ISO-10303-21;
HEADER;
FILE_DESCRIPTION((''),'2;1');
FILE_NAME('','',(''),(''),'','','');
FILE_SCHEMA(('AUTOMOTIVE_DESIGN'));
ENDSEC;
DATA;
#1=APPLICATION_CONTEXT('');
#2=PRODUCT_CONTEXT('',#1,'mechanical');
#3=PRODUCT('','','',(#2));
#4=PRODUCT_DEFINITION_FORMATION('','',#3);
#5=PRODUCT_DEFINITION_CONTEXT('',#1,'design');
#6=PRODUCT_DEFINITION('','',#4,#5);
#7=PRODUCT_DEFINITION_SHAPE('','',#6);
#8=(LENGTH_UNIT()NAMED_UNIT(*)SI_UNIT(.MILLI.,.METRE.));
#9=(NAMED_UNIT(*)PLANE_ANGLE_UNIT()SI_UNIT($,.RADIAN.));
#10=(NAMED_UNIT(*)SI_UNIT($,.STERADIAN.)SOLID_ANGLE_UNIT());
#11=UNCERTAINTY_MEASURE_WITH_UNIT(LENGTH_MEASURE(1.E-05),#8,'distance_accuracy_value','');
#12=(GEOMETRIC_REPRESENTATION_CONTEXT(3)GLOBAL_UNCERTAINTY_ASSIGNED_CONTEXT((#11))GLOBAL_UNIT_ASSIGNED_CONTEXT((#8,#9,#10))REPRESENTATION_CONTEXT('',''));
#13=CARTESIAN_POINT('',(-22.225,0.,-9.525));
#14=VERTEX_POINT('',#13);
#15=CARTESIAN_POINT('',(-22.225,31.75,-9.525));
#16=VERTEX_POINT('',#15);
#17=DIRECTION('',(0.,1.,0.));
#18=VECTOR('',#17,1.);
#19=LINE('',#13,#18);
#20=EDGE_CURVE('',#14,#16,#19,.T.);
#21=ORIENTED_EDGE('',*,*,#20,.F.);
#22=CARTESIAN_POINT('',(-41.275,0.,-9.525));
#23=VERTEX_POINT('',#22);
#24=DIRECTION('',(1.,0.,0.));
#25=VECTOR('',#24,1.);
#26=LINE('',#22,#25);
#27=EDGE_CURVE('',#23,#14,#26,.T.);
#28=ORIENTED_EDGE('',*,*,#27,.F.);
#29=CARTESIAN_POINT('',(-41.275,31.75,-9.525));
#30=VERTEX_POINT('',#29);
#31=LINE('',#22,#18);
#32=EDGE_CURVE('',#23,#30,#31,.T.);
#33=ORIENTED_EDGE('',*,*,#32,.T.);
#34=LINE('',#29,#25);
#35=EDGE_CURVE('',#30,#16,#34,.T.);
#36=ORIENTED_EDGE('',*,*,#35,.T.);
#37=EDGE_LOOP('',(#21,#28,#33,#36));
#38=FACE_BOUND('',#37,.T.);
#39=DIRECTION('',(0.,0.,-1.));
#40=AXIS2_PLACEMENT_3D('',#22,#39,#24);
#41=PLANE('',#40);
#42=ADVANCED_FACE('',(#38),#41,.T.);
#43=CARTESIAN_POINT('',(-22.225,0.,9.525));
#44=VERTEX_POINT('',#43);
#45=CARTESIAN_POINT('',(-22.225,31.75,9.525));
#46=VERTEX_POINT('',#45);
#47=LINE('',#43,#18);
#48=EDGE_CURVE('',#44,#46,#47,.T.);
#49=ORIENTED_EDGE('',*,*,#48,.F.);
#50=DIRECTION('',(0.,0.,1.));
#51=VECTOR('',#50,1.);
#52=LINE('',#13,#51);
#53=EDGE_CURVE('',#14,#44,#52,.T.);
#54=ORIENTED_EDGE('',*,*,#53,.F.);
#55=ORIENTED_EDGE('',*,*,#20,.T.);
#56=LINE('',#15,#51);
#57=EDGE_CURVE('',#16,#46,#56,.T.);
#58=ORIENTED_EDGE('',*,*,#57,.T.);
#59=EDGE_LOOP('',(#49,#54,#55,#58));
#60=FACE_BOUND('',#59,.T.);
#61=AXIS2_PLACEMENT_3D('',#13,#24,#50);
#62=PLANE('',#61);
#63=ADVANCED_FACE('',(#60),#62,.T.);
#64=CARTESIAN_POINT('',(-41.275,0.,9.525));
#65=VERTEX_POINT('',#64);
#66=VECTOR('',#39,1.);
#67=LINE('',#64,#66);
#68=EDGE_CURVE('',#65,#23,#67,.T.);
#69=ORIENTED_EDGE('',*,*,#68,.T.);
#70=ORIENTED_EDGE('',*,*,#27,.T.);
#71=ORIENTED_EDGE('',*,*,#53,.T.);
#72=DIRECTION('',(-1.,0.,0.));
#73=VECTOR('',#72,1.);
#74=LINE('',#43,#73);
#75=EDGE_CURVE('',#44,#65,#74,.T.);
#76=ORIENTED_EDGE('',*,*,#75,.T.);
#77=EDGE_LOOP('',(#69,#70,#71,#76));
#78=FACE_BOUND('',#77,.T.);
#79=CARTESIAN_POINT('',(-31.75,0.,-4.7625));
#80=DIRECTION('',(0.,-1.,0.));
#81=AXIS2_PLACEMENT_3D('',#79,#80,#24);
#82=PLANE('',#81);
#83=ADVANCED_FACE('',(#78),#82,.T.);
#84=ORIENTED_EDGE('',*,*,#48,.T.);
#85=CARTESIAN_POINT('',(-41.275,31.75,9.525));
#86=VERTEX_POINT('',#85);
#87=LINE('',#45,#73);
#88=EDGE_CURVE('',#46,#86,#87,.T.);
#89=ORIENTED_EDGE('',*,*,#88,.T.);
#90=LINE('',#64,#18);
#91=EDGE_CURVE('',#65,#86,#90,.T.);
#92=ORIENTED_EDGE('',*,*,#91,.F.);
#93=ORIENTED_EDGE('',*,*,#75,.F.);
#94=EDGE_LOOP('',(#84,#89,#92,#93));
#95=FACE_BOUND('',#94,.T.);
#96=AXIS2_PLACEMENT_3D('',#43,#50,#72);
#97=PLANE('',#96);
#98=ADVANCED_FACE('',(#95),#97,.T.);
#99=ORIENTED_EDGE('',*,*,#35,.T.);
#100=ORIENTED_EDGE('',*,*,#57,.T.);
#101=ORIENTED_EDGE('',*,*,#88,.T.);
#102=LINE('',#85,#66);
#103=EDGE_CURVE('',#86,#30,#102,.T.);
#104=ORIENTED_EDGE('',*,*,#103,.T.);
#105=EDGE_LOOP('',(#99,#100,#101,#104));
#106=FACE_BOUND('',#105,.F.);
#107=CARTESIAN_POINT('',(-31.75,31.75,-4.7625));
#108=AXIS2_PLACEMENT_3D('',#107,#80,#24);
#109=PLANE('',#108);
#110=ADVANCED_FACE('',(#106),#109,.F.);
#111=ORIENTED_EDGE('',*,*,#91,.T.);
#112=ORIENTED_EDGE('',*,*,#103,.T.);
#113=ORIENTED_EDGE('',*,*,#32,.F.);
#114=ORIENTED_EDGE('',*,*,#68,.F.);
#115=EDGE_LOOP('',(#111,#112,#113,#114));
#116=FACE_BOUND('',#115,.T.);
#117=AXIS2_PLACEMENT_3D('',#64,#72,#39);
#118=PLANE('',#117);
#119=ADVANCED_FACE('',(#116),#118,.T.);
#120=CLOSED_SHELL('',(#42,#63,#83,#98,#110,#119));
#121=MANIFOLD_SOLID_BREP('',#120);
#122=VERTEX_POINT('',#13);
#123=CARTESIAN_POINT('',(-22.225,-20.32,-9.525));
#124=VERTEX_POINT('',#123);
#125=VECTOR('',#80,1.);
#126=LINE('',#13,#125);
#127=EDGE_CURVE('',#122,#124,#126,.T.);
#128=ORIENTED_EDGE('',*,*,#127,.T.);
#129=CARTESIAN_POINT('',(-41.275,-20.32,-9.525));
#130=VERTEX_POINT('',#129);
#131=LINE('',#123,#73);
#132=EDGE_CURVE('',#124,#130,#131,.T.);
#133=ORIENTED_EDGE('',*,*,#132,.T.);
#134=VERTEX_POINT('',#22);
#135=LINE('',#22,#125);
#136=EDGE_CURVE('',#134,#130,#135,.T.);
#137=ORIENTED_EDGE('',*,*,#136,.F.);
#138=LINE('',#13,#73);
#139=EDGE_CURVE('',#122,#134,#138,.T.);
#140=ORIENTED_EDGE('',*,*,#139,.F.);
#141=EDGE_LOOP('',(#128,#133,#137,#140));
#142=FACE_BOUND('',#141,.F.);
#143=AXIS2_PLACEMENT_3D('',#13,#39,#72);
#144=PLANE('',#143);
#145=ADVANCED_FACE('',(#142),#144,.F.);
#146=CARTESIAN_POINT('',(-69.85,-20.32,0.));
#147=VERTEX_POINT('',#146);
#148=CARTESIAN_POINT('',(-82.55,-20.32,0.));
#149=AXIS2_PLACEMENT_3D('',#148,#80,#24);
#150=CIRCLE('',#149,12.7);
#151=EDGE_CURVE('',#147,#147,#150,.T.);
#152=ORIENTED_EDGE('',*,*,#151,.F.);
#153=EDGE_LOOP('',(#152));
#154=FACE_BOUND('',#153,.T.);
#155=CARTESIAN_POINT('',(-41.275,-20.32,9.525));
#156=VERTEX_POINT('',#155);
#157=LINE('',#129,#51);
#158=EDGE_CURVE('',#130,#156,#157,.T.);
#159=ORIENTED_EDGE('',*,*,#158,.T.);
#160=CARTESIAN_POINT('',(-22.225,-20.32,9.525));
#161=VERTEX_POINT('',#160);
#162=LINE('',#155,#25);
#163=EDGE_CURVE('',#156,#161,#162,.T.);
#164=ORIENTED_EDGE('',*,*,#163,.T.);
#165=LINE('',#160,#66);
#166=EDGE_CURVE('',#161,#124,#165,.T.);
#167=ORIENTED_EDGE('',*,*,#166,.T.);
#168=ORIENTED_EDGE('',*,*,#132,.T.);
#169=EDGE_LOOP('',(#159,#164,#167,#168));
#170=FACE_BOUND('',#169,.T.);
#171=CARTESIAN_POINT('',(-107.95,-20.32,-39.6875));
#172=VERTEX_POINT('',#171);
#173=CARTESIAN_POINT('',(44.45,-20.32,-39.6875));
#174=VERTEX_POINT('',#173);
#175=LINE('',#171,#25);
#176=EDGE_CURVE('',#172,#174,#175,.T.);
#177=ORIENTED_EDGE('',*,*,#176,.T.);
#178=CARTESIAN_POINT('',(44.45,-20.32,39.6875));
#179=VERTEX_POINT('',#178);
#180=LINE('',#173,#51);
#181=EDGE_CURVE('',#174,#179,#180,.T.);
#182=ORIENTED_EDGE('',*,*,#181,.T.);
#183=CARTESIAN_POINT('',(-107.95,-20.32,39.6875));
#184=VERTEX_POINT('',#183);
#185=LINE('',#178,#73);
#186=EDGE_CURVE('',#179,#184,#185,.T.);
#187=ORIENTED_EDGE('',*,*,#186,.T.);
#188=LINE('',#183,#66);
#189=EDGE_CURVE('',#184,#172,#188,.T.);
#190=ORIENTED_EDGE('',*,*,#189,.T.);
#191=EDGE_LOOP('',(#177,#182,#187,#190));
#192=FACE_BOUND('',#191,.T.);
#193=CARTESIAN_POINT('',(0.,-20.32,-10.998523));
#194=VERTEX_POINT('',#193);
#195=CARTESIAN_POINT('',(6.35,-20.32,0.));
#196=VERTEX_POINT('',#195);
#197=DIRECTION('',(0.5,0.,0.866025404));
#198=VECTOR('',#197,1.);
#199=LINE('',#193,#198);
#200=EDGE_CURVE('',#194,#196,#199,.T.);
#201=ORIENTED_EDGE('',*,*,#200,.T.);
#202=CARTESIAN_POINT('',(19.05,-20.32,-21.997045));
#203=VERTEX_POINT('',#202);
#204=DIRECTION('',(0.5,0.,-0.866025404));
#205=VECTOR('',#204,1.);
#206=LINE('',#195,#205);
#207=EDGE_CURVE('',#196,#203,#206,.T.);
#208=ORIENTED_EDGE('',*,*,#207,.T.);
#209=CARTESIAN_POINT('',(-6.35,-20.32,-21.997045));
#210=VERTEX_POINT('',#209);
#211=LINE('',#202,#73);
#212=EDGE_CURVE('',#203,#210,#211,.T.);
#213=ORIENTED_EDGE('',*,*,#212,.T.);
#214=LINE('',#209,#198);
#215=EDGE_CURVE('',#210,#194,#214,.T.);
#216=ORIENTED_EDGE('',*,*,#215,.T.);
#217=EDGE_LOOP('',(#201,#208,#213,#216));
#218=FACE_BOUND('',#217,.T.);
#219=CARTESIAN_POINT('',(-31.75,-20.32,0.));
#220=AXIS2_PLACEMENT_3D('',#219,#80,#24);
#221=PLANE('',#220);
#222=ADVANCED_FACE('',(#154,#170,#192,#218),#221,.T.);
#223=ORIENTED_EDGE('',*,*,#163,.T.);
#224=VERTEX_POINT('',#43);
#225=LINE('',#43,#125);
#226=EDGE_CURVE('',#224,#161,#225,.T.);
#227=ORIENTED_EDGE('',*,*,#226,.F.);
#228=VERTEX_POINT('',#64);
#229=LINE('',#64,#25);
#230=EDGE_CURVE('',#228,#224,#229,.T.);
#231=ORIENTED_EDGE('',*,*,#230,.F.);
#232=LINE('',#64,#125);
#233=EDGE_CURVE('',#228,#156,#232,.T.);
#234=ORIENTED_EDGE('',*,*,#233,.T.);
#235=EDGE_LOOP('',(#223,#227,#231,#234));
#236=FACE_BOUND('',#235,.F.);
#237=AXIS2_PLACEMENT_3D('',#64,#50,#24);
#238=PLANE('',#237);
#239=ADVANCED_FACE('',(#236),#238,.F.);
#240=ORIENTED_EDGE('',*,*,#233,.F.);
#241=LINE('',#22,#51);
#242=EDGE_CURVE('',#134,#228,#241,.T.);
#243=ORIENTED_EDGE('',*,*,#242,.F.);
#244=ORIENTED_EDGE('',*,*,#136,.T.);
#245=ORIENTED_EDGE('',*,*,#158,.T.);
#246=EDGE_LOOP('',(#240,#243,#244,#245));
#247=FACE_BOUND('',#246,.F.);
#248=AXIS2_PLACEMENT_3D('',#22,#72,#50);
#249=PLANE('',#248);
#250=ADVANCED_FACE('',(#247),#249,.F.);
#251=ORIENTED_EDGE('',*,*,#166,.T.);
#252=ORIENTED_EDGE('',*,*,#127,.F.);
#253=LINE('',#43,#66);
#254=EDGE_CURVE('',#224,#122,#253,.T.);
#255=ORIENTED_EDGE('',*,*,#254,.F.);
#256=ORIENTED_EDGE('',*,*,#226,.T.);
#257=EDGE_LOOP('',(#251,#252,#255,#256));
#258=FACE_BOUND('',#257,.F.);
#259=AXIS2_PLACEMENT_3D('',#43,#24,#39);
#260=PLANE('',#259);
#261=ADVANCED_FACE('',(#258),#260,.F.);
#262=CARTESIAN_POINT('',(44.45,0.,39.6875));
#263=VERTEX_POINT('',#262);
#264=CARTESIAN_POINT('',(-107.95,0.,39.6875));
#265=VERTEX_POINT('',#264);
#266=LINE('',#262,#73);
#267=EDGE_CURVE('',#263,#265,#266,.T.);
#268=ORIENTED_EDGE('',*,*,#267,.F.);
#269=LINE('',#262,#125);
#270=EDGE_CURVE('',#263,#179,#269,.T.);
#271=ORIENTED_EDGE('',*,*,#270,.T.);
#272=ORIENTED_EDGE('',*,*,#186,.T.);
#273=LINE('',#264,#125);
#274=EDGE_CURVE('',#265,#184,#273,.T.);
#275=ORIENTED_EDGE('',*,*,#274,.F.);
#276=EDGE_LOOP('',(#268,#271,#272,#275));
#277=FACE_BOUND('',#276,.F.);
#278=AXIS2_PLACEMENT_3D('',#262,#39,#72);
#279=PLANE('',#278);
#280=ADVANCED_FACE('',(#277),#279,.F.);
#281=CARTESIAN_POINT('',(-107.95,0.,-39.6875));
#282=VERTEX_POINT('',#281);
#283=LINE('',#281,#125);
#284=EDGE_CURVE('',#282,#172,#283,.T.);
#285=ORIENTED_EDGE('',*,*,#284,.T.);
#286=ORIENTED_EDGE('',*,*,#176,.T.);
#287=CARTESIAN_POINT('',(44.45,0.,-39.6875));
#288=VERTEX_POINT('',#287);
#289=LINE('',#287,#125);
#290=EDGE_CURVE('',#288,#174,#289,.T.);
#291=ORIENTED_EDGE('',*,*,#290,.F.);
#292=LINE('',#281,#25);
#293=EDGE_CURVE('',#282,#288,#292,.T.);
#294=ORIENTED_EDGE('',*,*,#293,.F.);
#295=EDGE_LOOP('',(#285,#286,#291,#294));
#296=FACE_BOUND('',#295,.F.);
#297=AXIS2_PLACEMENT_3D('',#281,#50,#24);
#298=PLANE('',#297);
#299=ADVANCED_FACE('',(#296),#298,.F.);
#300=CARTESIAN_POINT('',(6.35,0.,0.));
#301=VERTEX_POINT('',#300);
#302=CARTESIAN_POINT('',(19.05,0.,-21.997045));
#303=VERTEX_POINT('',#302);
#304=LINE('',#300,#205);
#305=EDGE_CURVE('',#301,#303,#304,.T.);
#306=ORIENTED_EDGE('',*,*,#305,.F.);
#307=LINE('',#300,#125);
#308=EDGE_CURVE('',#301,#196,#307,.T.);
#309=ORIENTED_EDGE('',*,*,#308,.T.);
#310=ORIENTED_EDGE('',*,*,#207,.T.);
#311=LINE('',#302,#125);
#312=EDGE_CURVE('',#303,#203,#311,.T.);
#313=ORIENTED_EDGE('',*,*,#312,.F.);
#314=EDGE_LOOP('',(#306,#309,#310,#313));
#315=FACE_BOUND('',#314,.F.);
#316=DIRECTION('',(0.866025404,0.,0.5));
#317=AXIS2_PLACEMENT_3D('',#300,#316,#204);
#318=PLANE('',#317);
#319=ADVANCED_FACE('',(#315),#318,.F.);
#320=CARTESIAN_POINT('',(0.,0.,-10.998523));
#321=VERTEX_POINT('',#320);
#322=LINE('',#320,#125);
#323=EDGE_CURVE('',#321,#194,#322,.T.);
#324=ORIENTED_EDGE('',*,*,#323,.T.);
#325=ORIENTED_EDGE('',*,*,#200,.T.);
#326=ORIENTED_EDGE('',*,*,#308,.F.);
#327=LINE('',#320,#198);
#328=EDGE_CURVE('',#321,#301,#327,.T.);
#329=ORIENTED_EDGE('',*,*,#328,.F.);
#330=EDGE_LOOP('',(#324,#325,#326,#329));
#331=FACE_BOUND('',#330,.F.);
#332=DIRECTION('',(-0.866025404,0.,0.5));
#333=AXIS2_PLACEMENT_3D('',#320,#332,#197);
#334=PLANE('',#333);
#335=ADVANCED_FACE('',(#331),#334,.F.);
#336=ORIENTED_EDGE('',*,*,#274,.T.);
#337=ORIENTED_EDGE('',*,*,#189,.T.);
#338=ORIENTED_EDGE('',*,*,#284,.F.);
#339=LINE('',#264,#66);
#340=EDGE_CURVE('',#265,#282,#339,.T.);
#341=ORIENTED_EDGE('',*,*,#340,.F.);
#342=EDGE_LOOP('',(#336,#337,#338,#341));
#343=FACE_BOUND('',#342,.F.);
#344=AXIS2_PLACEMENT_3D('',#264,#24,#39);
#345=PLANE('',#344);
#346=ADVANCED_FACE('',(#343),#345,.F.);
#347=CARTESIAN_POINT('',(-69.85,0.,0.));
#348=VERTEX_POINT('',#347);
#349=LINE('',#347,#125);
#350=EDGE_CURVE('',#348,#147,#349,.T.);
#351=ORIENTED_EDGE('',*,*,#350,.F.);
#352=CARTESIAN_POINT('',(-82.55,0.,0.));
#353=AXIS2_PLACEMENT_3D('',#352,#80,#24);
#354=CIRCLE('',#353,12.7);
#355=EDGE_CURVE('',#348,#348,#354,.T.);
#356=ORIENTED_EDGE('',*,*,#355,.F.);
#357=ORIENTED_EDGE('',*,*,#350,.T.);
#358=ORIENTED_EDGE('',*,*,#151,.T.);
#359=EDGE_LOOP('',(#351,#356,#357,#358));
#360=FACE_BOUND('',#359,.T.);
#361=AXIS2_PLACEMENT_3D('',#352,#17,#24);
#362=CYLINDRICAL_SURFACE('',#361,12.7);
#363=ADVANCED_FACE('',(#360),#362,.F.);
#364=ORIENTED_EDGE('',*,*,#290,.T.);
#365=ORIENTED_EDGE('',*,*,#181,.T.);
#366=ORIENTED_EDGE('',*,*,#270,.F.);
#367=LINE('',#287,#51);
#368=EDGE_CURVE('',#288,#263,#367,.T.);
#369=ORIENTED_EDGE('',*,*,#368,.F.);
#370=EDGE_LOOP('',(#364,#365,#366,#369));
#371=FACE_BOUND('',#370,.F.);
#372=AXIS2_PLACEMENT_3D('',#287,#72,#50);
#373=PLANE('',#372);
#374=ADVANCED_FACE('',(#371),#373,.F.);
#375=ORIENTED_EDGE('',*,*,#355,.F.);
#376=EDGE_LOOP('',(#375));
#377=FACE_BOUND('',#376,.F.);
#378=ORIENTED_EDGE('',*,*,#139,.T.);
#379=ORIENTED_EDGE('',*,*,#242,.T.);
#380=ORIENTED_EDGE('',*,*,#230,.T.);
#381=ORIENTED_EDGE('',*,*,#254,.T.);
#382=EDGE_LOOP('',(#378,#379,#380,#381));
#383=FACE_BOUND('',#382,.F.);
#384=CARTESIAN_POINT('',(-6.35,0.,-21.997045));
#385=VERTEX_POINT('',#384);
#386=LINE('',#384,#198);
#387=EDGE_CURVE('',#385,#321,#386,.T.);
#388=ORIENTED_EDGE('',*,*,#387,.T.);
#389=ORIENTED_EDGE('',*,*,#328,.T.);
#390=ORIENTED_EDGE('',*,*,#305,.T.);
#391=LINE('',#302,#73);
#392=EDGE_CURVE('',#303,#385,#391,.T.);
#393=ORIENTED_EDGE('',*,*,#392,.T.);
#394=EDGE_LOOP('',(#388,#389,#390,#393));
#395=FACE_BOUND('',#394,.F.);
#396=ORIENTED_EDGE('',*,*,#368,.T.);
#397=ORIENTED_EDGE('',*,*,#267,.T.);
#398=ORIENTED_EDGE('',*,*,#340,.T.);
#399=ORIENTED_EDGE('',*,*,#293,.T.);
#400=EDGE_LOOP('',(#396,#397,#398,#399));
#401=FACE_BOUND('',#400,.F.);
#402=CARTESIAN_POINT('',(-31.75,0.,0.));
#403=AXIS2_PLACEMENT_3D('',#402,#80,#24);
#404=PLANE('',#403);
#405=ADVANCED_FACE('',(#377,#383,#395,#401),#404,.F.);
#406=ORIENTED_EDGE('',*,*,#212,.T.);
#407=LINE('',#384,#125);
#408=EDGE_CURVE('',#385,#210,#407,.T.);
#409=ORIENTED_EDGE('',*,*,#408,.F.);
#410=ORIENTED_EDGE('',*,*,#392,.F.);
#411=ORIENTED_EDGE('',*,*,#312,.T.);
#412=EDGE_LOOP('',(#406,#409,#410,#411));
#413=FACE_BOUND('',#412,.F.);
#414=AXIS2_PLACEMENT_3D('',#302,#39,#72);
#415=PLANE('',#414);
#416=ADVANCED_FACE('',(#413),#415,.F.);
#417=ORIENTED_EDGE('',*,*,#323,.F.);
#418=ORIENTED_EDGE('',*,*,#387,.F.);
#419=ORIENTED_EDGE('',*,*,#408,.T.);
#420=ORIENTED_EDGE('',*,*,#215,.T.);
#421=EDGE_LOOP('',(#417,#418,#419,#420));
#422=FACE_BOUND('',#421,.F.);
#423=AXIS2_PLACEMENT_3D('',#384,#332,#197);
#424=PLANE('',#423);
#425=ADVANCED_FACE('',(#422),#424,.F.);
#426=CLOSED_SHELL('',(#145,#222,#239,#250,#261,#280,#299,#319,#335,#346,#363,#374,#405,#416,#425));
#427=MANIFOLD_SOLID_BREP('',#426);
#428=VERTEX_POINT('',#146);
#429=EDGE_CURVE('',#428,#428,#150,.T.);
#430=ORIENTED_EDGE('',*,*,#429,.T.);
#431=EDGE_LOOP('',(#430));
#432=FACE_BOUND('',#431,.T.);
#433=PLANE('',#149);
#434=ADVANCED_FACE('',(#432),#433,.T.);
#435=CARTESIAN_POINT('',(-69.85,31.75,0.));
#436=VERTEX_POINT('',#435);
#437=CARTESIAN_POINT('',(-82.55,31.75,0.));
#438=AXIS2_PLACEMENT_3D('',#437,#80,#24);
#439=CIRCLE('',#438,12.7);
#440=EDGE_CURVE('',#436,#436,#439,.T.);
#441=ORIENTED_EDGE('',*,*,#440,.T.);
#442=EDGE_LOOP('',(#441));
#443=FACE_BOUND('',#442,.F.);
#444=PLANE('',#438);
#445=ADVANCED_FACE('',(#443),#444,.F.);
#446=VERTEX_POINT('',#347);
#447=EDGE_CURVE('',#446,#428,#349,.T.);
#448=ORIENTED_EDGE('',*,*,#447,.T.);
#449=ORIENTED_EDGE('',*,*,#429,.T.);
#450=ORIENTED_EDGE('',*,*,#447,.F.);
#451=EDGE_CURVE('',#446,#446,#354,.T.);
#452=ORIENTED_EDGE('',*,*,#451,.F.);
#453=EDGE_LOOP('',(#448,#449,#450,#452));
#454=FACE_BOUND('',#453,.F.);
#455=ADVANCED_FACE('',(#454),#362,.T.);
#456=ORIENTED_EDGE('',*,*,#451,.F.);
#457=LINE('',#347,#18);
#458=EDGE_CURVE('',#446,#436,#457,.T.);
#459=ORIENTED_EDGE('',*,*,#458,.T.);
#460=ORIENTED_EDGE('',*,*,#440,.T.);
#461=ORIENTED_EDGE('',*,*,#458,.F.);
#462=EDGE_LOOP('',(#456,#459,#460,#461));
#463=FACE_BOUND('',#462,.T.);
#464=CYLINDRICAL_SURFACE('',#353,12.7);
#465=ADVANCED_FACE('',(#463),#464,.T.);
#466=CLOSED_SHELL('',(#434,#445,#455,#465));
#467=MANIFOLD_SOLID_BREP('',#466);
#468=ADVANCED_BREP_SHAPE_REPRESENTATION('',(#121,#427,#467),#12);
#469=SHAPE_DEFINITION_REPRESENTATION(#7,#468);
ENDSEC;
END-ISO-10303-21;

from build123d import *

# Parameters (mm, degrees)
F0_R          = 12.7
F1_DEPTH      = 20.32
F2_DEPTH      = 31.75
F2_DEPTH_BACK = 20.32
F3_DEPTH      = 31.75


with BuildPart() as f1:
    # F0 (on Front) → F1 (new body)
    with BuildSketch(Plane.XZ):
        Polygon((-107.95, -39.6875), (0, -39.6875), (44.45, -39.6875), (44.45, 39.6875), (-107.95, 39.6875), align=None)
        Polygon((0, -10.9985226281), (0, 0), (6.35, 0), (19.05, -21.9970452561), (0, -21.9970452561), (-6.35, -21.9970452561), align=None, mode=Mode.SUBTRACT)
        with Locations((-82.55, 0)):
            Circle(F0_R, mode=Mode.SUBTRACT)
        Polygon((-22.225, 9.525), (-22.225, 0), (-22.225, -9.525), (-41.275, -9.525), (-41.275, 0), (-41.275, 9.525), align=None, mode=Mode.SUBTRACT)
        Polygon((6.35, 0), (0, 0), (0, -10.9985226281), align=None)
    extrude(amount=F1_DEPTH)


with BuildPart() as f2:
    # F0 (on Front) → F2 (new body, two sides)
    with BuildSketch(Plane.XZ) as f2_sk:
        with Locations((-82.55, 0)):
            Circle(F0_R)
    extrude(amount=-F2_DEPTH)
    extrude(f2_sk.sketch, amount=F2_DEPTH_BACK)


with BuildPart() as f3:
    # F0 (on Front) → F3 (new body)
    with BuildSketch(Plane.XZ):
        Polygon((-22.225, -9.525), (-22.225, 0), (-31.75, 0), (-41.275, 0), (-41.275, -9.525), align=None)
        Polygon((-31.75, 0), (-22.225, 0), (-22.225, 9.525), (-41.275, 9.525), (-41.275, 0), align=None)
    extrude(amount=-F3_DEPTH)


solid = Compound([f1.part, f2.part, f3.part])
